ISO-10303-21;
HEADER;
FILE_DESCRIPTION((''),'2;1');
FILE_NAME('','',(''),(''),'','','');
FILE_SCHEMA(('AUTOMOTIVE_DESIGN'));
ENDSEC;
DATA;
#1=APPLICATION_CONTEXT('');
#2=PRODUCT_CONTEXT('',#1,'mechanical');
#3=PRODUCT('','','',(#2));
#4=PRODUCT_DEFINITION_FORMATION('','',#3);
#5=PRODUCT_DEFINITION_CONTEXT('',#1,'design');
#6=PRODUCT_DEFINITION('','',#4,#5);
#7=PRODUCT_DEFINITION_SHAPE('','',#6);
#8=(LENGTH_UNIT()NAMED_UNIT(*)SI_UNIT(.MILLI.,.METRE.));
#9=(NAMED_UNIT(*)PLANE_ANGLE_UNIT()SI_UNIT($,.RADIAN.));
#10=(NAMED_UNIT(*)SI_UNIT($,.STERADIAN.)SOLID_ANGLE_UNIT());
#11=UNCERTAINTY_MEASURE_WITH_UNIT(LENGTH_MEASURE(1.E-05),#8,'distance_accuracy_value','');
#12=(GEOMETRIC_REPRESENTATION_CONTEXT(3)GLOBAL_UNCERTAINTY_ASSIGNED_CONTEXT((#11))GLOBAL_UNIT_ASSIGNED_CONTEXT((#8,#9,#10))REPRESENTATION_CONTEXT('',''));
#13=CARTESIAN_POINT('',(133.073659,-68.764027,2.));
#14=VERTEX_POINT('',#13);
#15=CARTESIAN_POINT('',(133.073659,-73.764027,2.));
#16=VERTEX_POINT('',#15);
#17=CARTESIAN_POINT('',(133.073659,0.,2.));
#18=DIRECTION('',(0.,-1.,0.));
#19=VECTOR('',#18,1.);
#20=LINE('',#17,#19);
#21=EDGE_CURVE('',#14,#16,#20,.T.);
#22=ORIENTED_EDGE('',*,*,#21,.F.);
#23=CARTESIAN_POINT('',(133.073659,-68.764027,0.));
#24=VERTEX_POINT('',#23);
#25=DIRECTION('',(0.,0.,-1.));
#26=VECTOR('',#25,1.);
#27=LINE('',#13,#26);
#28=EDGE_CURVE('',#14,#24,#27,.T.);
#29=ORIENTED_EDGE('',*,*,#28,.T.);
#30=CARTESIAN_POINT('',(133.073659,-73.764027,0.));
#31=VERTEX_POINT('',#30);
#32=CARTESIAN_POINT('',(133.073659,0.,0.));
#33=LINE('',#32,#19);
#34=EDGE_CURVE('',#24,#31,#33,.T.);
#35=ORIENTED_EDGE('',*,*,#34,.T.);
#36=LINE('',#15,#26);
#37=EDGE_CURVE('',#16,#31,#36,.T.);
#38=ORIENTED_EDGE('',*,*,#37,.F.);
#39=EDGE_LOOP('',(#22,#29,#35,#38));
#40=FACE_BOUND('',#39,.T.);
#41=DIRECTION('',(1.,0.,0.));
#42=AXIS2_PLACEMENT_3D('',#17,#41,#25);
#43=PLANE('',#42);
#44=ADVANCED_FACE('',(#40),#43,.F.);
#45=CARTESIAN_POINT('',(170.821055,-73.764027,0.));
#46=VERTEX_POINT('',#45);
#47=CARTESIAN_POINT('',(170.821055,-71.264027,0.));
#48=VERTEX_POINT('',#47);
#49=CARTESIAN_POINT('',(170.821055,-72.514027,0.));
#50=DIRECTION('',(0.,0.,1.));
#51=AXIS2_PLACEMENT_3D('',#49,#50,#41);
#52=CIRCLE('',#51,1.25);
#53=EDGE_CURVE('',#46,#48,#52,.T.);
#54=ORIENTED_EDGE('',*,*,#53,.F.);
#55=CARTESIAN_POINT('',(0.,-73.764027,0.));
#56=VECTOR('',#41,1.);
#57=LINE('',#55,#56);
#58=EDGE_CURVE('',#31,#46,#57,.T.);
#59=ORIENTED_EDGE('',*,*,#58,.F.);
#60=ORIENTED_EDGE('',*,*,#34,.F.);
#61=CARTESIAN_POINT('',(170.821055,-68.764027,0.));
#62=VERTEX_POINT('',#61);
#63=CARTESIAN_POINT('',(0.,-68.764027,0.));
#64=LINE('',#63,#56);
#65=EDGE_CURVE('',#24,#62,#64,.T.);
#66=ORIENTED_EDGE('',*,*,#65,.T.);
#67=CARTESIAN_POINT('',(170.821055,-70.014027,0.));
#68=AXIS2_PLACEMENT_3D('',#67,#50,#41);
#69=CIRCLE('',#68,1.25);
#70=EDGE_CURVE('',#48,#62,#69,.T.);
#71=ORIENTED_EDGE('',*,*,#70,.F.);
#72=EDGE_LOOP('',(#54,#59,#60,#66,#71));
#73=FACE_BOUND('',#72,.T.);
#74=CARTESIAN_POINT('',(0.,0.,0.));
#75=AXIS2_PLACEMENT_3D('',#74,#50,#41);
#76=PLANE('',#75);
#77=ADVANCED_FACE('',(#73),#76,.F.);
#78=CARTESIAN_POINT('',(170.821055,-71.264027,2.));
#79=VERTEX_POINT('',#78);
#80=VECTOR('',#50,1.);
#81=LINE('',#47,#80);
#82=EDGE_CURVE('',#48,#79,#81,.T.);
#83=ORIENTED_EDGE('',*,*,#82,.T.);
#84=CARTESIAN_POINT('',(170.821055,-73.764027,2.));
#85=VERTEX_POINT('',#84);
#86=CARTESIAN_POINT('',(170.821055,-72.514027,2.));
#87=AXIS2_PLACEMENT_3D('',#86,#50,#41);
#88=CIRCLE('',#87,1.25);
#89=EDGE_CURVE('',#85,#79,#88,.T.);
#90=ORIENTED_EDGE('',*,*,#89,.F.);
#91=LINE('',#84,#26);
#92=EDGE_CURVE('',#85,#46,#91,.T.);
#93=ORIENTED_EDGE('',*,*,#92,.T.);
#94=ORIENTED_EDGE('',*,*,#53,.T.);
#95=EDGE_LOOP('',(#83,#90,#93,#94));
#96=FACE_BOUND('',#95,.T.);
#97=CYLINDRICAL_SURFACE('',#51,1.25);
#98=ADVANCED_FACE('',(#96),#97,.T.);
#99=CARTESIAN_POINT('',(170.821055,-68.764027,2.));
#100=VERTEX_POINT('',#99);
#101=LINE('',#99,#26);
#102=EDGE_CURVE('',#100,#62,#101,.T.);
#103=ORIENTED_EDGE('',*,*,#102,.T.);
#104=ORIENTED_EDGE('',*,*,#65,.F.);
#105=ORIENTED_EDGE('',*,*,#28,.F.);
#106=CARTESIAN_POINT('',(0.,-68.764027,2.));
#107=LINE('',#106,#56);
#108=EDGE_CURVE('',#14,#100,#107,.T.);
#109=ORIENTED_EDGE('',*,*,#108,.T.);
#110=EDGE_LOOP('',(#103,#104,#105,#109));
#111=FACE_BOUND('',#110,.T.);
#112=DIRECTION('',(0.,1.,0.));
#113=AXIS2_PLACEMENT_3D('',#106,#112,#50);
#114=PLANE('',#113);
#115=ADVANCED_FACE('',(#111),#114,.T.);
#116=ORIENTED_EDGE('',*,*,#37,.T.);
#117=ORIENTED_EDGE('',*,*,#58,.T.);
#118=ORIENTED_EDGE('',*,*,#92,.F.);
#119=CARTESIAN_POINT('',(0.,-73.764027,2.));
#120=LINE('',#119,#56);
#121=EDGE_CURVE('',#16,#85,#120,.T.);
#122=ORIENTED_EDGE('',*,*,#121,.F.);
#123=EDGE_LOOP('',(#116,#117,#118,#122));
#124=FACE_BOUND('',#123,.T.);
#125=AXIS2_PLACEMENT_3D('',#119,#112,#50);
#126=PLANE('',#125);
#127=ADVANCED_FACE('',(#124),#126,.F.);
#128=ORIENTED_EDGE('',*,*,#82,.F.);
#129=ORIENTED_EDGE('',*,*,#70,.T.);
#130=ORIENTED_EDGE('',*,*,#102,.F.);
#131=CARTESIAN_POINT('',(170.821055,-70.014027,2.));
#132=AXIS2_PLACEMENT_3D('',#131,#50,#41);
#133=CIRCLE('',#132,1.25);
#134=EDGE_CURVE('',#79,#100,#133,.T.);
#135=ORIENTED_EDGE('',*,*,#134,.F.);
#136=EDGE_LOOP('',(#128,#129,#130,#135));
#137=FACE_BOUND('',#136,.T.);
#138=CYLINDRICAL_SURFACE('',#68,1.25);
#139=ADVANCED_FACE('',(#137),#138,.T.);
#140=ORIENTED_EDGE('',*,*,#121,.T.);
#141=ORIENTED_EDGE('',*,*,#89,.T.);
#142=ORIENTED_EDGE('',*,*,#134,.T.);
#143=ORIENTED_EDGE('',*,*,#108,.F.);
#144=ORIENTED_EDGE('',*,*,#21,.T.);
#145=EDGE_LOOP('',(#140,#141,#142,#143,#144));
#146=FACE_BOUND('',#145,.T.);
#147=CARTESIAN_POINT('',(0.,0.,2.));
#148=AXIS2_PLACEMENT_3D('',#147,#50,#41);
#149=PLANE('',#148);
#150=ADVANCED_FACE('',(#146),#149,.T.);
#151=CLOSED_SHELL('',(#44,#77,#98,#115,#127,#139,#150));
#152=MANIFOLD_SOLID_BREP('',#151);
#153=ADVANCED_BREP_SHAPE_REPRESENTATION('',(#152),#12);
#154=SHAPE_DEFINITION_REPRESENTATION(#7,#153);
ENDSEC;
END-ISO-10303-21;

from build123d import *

# Parameters (mm, degrees)
SKETCH_1_W      = 10.679510249
SKETCH_1_H      = 5
SKETCH_1_W_2    = 27.06788567
EXTRUDE_1_DEPTH = 2
EXTRUDE_2_DEPTH = 2


with BuildPart() as part:
    # 草图1 → 凸台-拉伸1 (new body)
    with BuildSketch(Plane.XY):
        with Locations((165.481299773, -71.264027464)):
            Rectangle(SKETCH_1_W, SKETCH_1_H)
        with Locations((146.607601814, -71.264027464)):
            Rectangle(SKETCH_1_W_2, SKETCH_1_H)
    extrude(amount=EXTRUDE_1_DEPTH)

    # 草图2 → 凸台-拉伸2 (add)
    with BuildSketch(Plane.XY.offset(2)):
        with BuildLine():
            ThreePointArc((170.821054898, -68.764027464), (169.571054898, -70.014027464), (170.821054898, -71.264027464))
            Line((170.821054898, -71.264027464), (170.821054898, -68.764027464))
        make_face()
        with BuildLine():
            Line((170.821054898, -68.764027464), (170.821054898, -71.264027464))
            ThreePointArc((170.821054898, -71.264027464), (171.704938375, -70.89791094), (172.071054898, -70.014027464))
            ThreePointArc((172.071054898, -70.014027464), (171.704938375, -69.130143987), (170.821054898, -68.764027464))
        make_face()
        with BuildLine():
            ThreePointArc((172.071054898, -72.514027464), (171.704938375, -71.630143987), (170.821054898, -71.264027464))
            Line((170.821054898, -71.264027464), (170.821054898, -73.764027464))
            ThreePointArc((170.821054898, -73.764027464), (171.704938375, -73.39791094), (172.071054898, -72.514027464))
        make_face()
        with BuildLine():
            Line((170.821054898, -73.764027464), (170.821054898, -71.264027464))
            ThreePointArc((170.821054898, -71.264027464), (169.571054898, -72.514027464), (170.821054898, -73.764027464))
        make_face()
    extrude(amount=-EXTRUDE_2_DEPTH)


solid = part.part
